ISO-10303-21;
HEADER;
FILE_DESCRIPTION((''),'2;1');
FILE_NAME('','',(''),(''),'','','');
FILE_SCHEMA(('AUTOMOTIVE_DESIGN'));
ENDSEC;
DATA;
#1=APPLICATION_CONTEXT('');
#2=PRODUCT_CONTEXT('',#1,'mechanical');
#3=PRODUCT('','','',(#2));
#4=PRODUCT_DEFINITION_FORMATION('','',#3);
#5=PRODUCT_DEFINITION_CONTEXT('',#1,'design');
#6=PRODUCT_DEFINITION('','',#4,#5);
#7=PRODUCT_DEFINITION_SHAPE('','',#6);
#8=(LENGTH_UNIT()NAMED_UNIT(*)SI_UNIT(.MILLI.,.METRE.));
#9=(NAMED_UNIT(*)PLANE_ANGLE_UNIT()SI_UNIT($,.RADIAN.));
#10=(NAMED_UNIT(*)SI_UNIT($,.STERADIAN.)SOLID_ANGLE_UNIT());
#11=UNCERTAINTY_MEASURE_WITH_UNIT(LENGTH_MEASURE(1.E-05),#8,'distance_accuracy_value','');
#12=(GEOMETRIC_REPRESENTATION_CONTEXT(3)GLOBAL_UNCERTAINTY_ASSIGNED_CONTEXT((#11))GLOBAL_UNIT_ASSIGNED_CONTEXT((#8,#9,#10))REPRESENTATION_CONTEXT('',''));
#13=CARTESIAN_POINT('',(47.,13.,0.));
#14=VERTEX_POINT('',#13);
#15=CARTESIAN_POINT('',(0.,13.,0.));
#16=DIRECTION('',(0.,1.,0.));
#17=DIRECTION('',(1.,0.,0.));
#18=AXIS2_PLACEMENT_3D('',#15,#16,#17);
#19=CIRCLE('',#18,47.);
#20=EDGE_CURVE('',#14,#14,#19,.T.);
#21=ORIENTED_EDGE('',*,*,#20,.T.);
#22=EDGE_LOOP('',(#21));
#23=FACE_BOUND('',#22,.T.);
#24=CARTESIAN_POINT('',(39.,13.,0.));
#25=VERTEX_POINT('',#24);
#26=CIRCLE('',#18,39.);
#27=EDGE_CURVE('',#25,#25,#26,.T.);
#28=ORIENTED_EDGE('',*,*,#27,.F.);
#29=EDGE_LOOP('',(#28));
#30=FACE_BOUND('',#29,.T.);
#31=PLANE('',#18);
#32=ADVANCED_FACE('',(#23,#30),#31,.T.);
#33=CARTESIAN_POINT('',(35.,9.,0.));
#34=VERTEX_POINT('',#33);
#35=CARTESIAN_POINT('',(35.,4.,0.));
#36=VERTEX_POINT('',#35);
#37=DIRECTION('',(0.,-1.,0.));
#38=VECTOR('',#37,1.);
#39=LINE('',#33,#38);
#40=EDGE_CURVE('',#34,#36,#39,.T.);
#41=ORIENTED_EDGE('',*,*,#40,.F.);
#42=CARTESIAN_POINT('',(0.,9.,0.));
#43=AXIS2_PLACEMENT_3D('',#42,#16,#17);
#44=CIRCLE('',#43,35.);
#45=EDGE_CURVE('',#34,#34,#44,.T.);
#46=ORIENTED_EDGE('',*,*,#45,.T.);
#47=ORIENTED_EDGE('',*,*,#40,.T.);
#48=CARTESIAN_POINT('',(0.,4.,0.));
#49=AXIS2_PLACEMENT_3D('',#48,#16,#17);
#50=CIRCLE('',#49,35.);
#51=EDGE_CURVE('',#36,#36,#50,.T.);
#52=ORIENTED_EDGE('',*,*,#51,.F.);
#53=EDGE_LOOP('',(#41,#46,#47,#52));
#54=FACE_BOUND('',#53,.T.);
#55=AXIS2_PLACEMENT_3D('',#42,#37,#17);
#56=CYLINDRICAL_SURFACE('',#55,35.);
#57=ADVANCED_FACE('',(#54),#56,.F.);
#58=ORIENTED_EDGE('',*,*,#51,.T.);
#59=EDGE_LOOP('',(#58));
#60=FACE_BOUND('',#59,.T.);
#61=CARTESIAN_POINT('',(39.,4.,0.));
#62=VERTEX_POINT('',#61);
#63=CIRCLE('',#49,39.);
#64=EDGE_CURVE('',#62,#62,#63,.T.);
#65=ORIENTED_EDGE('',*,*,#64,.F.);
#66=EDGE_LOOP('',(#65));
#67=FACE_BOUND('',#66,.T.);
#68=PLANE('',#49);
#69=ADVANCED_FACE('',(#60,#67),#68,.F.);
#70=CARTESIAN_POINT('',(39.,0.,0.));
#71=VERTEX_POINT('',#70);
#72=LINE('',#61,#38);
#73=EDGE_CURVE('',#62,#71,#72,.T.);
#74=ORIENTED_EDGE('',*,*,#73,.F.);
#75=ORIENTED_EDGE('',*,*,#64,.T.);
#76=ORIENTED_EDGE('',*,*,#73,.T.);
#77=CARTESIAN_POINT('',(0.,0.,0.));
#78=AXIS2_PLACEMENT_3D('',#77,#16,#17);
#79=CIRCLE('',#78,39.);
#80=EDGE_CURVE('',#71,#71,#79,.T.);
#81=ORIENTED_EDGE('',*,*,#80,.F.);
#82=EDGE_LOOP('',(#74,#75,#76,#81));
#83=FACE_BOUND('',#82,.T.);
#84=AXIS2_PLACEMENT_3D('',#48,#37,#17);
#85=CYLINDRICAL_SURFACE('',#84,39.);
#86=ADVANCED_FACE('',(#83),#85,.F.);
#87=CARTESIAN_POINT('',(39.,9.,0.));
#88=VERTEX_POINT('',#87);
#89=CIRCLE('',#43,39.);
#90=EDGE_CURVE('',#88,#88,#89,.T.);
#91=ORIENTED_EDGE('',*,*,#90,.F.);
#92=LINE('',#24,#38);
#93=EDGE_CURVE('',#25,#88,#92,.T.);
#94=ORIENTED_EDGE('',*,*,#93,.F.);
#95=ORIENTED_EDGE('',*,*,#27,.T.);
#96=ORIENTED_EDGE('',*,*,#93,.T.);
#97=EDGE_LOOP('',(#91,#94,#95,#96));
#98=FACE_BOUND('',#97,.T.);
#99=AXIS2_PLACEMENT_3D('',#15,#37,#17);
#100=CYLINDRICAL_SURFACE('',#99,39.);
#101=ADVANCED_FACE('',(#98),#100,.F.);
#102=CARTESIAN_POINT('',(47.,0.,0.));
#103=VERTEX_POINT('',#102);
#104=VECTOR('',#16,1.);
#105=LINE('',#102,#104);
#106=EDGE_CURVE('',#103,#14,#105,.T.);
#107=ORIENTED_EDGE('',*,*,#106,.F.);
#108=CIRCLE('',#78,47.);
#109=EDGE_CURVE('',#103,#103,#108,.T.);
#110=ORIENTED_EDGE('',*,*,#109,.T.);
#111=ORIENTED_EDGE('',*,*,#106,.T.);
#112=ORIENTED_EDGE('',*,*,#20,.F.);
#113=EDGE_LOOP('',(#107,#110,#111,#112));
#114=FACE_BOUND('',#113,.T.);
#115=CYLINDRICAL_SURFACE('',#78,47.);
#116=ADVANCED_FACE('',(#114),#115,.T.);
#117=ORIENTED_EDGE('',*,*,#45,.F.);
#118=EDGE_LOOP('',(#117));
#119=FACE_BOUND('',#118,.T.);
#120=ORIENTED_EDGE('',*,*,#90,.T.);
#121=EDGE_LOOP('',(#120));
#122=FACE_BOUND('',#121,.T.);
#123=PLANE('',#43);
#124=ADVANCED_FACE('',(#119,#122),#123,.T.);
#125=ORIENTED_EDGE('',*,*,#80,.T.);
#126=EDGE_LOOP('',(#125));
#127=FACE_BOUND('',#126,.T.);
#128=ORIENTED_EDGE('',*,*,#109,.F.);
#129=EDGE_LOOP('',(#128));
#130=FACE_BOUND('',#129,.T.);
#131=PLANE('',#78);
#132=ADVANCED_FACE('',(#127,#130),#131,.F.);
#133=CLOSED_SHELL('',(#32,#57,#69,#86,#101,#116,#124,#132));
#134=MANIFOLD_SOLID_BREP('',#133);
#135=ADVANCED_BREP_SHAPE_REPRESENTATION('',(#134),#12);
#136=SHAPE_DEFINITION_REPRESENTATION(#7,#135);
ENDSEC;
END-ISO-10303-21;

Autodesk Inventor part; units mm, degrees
ref_plane "YZ Plane" through (0, 0, 0) normal (1, 0, 0) x (0, 1, 0)
ref_plane "XZ Plane" through (0, 0, 0) normal (0, 1, 0) x (-1, 0, 0)
ref_plane "XY Plane" through (0, 0, 0) normal (0, 0, 1) x (1, 0, 0)
sketch "Boceto1" plane through (0, 0, 0) normal (0, 0, 1) x (1, 0, 0)
  line L0 (0, 0) -> (47, 0) construction
  line L1 (47, 0) -> (47, 13)
  line L2 (47, 13) -> (39, 13)
  line L3 (39, 13) -> (39, 9)
  line L4 (39, 9) -> (35, 9)
  line L5 (35, 9) -> (35, 4)
  line L6 (35, 4) -> (39, 4)
  line L7 (39, 4) -> (39, 0)
  line L8 (39, 0) -> (47, 0)
  line L9 (0, 0) -> (0, 20.7267) construction
  dimension "d0" = 47
  dimension "d1" = 13
  dimension "d2" = 8
  dimension "d3" = 4
  dimension "d4" = 4
  dimension "d5" = 5
  dimension "d6" = 4
revolve "Revolución1" add sketch "Boceto1" angle 360 about axis through (0, 0, 0) along (0, 1, 0)
properties part number "3_AnilloPorSoldar"
